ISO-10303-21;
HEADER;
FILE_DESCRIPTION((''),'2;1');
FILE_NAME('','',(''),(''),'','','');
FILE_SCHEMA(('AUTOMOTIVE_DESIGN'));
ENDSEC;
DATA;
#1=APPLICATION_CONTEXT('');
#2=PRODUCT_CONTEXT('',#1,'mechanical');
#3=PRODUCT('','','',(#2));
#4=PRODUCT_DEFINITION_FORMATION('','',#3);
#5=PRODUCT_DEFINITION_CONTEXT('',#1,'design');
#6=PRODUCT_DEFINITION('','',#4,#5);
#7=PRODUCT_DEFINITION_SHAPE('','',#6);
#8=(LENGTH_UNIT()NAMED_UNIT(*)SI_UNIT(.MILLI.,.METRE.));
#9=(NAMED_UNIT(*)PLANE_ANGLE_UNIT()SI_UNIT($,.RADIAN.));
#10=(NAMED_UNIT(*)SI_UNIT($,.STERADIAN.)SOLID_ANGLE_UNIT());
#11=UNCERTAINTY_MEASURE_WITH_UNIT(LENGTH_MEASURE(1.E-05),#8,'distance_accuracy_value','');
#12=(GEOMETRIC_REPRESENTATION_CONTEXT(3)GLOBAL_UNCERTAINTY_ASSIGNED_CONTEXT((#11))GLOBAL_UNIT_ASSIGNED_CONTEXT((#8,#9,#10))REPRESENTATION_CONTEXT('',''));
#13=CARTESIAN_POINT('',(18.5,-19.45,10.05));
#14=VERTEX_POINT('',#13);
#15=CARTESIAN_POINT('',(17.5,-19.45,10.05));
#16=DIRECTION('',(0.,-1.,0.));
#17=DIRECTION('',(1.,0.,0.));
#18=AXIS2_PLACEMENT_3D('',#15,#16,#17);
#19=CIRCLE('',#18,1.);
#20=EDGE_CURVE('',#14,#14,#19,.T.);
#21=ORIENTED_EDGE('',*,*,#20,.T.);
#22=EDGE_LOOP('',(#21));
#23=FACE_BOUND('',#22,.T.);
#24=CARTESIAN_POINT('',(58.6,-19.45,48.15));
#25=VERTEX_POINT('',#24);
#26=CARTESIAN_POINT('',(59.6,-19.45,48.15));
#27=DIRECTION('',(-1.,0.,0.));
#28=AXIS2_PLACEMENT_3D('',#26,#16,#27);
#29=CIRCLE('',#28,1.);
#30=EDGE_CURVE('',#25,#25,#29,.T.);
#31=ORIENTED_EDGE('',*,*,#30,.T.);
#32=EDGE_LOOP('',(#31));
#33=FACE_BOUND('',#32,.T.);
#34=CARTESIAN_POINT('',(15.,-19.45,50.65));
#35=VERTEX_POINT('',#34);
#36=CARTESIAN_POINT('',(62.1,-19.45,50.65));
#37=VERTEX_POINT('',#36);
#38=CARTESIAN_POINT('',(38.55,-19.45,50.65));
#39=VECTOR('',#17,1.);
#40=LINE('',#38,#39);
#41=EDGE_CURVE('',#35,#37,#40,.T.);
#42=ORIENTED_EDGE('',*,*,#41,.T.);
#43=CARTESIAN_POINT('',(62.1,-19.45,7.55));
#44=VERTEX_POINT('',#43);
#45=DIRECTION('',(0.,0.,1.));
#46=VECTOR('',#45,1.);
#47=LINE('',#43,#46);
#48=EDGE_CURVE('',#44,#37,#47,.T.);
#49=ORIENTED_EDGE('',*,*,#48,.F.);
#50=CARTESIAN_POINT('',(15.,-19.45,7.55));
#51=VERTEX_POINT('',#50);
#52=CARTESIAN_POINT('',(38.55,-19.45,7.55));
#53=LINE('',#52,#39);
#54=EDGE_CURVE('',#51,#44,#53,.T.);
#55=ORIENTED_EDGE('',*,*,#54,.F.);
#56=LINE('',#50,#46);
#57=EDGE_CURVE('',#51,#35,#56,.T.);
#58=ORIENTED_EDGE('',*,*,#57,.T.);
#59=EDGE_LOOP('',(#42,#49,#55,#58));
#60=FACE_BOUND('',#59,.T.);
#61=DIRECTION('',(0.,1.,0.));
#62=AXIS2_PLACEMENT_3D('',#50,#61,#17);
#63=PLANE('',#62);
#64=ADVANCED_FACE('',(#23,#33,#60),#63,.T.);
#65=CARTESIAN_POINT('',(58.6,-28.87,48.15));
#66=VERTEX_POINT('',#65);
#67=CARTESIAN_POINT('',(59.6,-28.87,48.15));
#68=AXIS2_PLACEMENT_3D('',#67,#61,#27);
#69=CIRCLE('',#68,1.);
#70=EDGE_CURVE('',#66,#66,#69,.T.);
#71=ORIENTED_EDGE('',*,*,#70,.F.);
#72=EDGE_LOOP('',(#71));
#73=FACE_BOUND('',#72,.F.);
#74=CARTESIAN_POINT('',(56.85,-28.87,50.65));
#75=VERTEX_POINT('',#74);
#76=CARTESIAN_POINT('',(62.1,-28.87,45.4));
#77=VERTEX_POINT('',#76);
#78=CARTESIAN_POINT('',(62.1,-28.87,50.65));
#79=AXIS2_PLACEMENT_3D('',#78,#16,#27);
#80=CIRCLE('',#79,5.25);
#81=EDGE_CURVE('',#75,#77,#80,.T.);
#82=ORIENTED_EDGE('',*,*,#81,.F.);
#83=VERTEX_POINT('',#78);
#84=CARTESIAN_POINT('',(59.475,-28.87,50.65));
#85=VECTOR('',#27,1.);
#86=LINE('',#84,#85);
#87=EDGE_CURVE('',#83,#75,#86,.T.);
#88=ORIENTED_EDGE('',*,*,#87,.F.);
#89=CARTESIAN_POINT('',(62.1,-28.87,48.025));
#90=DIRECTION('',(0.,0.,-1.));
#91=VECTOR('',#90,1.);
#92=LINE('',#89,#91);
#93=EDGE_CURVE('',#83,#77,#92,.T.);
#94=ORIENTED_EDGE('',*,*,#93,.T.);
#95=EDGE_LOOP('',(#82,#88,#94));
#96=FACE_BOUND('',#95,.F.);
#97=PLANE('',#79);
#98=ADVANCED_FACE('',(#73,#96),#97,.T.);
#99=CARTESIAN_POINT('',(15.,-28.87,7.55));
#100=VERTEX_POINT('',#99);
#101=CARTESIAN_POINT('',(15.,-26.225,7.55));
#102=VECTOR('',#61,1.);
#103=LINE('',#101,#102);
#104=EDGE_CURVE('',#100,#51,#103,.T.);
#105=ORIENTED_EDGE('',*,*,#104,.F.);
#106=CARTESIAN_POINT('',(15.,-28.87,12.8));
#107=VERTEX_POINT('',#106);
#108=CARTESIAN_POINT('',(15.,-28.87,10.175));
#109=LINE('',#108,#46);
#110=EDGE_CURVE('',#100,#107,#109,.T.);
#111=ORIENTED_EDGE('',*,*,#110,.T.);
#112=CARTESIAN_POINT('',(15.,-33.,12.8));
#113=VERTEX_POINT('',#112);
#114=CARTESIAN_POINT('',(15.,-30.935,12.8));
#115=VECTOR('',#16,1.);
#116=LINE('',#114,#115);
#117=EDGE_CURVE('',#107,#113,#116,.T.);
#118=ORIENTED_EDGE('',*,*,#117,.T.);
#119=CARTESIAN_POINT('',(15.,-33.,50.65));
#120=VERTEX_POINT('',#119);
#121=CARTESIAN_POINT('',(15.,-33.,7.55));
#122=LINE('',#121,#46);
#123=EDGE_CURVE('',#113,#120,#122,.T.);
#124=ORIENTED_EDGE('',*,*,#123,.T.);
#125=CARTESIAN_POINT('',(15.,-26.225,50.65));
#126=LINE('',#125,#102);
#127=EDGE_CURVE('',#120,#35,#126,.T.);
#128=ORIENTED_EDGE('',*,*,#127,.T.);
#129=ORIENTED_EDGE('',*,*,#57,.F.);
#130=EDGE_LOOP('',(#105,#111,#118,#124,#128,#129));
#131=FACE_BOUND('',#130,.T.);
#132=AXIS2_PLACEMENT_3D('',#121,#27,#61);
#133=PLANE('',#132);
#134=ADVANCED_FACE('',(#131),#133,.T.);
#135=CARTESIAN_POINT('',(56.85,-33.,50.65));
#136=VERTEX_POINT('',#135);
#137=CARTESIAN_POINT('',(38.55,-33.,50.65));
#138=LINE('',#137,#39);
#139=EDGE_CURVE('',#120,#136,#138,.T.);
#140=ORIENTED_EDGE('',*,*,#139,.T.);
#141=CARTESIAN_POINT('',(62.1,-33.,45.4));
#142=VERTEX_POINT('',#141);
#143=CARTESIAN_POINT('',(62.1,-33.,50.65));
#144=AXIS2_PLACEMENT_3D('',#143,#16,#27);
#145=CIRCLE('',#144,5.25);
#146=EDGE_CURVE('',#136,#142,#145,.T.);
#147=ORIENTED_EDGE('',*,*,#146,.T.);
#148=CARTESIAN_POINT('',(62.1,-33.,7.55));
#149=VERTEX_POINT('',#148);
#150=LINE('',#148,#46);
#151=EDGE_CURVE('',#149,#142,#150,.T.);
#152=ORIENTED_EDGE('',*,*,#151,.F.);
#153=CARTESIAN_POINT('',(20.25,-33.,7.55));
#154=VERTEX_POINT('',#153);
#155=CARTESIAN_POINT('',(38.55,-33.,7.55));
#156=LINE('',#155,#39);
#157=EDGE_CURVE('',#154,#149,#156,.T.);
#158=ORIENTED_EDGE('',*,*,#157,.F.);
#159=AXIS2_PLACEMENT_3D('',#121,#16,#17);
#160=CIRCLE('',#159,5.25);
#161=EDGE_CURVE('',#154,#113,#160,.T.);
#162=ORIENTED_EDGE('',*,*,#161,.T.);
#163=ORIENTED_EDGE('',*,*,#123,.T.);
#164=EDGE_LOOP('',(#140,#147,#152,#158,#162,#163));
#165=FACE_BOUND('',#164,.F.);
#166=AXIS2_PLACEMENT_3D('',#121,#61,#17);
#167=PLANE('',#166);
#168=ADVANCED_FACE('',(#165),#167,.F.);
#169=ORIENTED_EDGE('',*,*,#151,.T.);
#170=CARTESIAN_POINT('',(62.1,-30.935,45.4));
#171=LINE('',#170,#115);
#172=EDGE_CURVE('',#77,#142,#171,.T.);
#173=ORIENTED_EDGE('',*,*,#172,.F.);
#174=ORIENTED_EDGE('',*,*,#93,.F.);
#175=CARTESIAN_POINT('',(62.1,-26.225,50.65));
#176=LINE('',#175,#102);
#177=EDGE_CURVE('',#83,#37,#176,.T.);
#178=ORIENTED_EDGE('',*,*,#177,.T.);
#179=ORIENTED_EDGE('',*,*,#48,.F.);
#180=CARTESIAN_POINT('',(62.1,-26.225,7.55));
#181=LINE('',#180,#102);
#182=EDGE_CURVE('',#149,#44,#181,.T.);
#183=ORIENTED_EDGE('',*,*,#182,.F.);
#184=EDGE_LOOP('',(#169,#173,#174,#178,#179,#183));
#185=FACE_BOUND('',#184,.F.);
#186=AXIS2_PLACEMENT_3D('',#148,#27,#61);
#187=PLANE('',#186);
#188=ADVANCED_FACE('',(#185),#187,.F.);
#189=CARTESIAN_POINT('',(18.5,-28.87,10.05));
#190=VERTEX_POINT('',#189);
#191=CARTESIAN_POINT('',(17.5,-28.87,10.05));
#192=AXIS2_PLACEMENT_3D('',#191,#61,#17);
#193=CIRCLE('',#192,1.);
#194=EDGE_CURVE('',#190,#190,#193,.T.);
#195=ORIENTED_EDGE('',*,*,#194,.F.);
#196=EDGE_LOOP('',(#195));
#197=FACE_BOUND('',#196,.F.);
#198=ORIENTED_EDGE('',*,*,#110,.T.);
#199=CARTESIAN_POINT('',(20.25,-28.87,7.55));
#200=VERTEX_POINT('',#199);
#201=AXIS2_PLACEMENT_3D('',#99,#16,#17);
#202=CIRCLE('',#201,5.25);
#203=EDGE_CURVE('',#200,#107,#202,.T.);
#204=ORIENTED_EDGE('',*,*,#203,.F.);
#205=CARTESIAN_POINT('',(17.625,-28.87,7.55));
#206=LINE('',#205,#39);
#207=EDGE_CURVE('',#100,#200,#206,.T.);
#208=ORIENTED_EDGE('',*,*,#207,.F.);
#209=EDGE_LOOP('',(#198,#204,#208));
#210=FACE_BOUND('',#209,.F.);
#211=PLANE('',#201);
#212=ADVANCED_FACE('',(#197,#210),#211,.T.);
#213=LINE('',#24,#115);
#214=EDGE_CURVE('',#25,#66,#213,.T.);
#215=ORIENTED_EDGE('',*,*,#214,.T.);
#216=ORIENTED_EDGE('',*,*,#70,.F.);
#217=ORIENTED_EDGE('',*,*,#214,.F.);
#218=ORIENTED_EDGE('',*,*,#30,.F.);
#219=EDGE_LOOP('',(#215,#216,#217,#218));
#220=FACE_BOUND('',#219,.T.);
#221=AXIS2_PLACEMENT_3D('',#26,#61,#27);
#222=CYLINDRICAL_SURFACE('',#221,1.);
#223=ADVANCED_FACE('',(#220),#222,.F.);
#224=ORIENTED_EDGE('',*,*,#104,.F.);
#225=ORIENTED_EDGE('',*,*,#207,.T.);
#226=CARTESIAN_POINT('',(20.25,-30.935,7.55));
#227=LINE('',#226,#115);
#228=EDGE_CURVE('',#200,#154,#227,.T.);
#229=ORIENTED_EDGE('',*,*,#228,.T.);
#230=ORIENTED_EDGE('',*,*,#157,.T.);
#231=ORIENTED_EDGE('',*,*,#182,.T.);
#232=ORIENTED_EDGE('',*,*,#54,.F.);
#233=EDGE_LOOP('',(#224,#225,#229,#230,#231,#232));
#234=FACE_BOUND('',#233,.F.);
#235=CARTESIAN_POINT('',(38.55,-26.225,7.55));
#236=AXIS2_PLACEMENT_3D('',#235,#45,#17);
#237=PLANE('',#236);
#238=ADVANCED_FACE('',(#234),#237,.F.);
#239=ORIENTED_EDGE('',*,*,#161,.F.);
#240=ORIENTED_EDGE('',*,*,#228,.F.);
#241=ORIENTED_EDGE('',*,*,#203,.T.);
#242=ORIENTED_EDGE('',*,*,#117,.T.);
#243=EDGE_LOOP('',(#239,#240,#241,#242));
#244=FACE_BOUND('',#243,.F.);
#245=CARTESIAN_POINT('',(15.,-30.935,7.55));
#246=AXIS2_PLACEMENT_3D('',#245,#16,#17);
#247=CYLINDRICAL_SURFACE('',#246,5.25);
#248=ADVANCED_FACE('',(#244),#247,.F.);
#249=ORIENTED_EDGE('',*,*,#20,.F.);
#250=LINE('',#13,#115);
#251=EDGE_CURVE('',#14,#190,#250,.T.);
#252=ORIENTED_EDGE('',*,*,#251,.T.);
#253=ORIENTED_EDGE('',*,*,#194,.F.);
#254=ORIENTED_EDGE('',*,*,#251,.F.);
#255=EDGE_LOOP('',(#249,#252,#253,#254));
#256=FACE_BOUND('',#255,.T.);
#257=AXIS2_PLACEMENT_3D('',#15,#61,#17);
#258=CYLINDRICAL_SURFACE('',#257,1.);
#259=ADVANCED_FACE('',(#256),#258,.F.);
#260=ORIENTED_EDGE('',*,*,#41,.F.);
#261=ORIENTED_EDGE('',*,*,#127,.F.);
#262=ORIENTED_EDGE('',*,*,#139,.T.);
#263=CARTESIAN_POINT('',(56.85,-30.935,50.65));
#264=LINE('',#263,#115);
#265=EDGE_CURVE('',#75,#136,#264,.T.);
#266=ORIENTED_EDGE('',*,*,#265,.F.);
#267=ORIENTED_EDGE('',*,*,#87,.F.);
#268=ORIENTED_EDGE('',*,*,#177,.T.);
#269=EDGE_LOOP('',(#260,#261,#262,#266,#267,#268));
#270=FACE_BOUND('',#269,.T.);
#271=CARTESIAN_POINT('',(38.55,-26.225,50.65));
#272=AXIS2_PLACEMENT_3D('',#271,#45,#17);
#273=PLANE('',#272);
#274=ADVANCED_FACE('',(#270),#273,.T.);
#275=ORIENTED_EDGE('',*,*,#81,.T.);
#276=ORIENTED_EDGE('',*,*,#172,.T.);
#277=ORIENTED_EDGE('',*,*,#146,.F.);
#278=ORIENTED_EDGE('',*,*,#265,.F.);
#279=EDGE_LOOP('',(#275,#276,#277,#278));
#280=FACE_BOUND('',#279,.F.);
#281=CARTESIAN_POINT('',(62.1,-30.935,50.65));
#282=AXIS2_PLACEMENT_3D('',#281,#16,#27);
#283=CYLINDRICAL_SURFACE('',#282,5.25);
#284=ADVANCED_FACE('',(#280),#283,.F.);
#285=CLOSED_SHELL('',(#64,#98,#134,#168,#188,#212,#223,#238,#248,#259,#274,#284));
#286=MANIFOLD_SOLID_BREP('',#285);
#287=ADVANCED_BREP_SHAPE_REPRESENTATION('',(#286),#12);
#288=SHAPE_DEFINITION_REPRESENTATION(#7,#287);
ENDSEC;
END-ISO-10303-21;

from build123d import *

# Parameters (mm, degrees)
CYLINDER003_W             = 5.25
CYLINDER003_H             = 4.13
CYLINDER003_ANGLE         = 90
CYLINDER002_R             = 1
CYLINDER002_DEPTH         = 13.55
FUSION002_PLACEMENT_ANGLE = 180
CYLINDER001_W             = 5.25
CYLINDER001_H             = 4.13
CYLINDER001_ANGLE         = 90
CYLINDER_R                = 1
CYLINDER_DEPTH            = 13.55
BOX_W                     = 47.1
BOX_H                     = 13.55
BOX_DEPTH                 = 43.1


with BuildPart() as semicut001:
    # Cylinder003 → Cylinder003 (revolve)
    with BuildSketch(Plane(origin=(0, 4.13, 0), x_dir=(1, 0, 0), z_dir=(0, 0, -1))):
        with Locations((2.625, 2.065)):
            Rectangle(CYLINDER003_W, CYLINDER003_H)
    revolve(axis=Axis((0, 4.13, 0), (0, -1, 0)), revolution_arc=CYLINDER003_ANGLE)


with BuildPart() as ipscut001:
    # Cylinder002 → Cylinder002 (new body)
    with BuildSketch(Plane(origin=(2.5, 13.55, 2.5), x_dir=(1, 0, 0), z_dir=(0, -1, 0))):
        Circle(CYLINDER002_R)
    extrude(amount=CYLINDER002_DEPTH)

    # Fusion002: union semiCut001
    add(semicut001.part)


with BuildPart() as ipscut001_1:
    # Fusion002 placement: moved
    add(ipscut001.part.moved(Location((47.1, 0, 43.1))).rotate(Axis((47.1, 0, 43.1), (0, 1, 0)), FUSION002_PLACEMENT_ANGLE))


with BuildPart() as semicut:
    # Cylinder001 → Cylinder001 (revolve)
    with BuildSketch(Plane(origin=(0, 4.13, 0), x_dir=(1, 0, 0), z_dir=(0, 0, -1))):
        with Locations((2.625, 2.065)):
            Rectangle(CYLINDER001_W, CYLINDER001_H)
    revolve(axis=Axis((0, 4.13, 0), (0, -1, 0)), revolution_arc=CYLINDER001_ANGLE)


with BuildPart() as fusion003:
    # Cylinder → Cylinder (new body)
    with BuildSketch(Plane(origin=(2.5, 13.55, 2.5), x_dir=(1, 0, 0), z_dir=(0, -1, 0))):
        Circle(CYLINDER_R)
    extrude(amount=CYLINDER_DEPTH)

    # Fusion001: union semiCut
    add(semicut.part)

    # Fusion003: union ipsCut001
    add(ipscut001_1.part)


with BuildPart() as ips7100v:
    # Box → Box (new body)
    with BuildSketch(Plane.XY):
        with Locations((23.55, 6.775)):
            Rectangle(BOX_W, BOX_H)
    extrude(amount=BOX_DEPTH)

    # Cut: cut Fusion003
    add(fusion003.part, mode=Mode.SUBTRACT)


with BuildPart() as ips7100v_1:
    # Cut placement: moved
    add(ips7100v.part.moved(Location((15, -33, 7.55))))


solid = ips7100v_1.part
